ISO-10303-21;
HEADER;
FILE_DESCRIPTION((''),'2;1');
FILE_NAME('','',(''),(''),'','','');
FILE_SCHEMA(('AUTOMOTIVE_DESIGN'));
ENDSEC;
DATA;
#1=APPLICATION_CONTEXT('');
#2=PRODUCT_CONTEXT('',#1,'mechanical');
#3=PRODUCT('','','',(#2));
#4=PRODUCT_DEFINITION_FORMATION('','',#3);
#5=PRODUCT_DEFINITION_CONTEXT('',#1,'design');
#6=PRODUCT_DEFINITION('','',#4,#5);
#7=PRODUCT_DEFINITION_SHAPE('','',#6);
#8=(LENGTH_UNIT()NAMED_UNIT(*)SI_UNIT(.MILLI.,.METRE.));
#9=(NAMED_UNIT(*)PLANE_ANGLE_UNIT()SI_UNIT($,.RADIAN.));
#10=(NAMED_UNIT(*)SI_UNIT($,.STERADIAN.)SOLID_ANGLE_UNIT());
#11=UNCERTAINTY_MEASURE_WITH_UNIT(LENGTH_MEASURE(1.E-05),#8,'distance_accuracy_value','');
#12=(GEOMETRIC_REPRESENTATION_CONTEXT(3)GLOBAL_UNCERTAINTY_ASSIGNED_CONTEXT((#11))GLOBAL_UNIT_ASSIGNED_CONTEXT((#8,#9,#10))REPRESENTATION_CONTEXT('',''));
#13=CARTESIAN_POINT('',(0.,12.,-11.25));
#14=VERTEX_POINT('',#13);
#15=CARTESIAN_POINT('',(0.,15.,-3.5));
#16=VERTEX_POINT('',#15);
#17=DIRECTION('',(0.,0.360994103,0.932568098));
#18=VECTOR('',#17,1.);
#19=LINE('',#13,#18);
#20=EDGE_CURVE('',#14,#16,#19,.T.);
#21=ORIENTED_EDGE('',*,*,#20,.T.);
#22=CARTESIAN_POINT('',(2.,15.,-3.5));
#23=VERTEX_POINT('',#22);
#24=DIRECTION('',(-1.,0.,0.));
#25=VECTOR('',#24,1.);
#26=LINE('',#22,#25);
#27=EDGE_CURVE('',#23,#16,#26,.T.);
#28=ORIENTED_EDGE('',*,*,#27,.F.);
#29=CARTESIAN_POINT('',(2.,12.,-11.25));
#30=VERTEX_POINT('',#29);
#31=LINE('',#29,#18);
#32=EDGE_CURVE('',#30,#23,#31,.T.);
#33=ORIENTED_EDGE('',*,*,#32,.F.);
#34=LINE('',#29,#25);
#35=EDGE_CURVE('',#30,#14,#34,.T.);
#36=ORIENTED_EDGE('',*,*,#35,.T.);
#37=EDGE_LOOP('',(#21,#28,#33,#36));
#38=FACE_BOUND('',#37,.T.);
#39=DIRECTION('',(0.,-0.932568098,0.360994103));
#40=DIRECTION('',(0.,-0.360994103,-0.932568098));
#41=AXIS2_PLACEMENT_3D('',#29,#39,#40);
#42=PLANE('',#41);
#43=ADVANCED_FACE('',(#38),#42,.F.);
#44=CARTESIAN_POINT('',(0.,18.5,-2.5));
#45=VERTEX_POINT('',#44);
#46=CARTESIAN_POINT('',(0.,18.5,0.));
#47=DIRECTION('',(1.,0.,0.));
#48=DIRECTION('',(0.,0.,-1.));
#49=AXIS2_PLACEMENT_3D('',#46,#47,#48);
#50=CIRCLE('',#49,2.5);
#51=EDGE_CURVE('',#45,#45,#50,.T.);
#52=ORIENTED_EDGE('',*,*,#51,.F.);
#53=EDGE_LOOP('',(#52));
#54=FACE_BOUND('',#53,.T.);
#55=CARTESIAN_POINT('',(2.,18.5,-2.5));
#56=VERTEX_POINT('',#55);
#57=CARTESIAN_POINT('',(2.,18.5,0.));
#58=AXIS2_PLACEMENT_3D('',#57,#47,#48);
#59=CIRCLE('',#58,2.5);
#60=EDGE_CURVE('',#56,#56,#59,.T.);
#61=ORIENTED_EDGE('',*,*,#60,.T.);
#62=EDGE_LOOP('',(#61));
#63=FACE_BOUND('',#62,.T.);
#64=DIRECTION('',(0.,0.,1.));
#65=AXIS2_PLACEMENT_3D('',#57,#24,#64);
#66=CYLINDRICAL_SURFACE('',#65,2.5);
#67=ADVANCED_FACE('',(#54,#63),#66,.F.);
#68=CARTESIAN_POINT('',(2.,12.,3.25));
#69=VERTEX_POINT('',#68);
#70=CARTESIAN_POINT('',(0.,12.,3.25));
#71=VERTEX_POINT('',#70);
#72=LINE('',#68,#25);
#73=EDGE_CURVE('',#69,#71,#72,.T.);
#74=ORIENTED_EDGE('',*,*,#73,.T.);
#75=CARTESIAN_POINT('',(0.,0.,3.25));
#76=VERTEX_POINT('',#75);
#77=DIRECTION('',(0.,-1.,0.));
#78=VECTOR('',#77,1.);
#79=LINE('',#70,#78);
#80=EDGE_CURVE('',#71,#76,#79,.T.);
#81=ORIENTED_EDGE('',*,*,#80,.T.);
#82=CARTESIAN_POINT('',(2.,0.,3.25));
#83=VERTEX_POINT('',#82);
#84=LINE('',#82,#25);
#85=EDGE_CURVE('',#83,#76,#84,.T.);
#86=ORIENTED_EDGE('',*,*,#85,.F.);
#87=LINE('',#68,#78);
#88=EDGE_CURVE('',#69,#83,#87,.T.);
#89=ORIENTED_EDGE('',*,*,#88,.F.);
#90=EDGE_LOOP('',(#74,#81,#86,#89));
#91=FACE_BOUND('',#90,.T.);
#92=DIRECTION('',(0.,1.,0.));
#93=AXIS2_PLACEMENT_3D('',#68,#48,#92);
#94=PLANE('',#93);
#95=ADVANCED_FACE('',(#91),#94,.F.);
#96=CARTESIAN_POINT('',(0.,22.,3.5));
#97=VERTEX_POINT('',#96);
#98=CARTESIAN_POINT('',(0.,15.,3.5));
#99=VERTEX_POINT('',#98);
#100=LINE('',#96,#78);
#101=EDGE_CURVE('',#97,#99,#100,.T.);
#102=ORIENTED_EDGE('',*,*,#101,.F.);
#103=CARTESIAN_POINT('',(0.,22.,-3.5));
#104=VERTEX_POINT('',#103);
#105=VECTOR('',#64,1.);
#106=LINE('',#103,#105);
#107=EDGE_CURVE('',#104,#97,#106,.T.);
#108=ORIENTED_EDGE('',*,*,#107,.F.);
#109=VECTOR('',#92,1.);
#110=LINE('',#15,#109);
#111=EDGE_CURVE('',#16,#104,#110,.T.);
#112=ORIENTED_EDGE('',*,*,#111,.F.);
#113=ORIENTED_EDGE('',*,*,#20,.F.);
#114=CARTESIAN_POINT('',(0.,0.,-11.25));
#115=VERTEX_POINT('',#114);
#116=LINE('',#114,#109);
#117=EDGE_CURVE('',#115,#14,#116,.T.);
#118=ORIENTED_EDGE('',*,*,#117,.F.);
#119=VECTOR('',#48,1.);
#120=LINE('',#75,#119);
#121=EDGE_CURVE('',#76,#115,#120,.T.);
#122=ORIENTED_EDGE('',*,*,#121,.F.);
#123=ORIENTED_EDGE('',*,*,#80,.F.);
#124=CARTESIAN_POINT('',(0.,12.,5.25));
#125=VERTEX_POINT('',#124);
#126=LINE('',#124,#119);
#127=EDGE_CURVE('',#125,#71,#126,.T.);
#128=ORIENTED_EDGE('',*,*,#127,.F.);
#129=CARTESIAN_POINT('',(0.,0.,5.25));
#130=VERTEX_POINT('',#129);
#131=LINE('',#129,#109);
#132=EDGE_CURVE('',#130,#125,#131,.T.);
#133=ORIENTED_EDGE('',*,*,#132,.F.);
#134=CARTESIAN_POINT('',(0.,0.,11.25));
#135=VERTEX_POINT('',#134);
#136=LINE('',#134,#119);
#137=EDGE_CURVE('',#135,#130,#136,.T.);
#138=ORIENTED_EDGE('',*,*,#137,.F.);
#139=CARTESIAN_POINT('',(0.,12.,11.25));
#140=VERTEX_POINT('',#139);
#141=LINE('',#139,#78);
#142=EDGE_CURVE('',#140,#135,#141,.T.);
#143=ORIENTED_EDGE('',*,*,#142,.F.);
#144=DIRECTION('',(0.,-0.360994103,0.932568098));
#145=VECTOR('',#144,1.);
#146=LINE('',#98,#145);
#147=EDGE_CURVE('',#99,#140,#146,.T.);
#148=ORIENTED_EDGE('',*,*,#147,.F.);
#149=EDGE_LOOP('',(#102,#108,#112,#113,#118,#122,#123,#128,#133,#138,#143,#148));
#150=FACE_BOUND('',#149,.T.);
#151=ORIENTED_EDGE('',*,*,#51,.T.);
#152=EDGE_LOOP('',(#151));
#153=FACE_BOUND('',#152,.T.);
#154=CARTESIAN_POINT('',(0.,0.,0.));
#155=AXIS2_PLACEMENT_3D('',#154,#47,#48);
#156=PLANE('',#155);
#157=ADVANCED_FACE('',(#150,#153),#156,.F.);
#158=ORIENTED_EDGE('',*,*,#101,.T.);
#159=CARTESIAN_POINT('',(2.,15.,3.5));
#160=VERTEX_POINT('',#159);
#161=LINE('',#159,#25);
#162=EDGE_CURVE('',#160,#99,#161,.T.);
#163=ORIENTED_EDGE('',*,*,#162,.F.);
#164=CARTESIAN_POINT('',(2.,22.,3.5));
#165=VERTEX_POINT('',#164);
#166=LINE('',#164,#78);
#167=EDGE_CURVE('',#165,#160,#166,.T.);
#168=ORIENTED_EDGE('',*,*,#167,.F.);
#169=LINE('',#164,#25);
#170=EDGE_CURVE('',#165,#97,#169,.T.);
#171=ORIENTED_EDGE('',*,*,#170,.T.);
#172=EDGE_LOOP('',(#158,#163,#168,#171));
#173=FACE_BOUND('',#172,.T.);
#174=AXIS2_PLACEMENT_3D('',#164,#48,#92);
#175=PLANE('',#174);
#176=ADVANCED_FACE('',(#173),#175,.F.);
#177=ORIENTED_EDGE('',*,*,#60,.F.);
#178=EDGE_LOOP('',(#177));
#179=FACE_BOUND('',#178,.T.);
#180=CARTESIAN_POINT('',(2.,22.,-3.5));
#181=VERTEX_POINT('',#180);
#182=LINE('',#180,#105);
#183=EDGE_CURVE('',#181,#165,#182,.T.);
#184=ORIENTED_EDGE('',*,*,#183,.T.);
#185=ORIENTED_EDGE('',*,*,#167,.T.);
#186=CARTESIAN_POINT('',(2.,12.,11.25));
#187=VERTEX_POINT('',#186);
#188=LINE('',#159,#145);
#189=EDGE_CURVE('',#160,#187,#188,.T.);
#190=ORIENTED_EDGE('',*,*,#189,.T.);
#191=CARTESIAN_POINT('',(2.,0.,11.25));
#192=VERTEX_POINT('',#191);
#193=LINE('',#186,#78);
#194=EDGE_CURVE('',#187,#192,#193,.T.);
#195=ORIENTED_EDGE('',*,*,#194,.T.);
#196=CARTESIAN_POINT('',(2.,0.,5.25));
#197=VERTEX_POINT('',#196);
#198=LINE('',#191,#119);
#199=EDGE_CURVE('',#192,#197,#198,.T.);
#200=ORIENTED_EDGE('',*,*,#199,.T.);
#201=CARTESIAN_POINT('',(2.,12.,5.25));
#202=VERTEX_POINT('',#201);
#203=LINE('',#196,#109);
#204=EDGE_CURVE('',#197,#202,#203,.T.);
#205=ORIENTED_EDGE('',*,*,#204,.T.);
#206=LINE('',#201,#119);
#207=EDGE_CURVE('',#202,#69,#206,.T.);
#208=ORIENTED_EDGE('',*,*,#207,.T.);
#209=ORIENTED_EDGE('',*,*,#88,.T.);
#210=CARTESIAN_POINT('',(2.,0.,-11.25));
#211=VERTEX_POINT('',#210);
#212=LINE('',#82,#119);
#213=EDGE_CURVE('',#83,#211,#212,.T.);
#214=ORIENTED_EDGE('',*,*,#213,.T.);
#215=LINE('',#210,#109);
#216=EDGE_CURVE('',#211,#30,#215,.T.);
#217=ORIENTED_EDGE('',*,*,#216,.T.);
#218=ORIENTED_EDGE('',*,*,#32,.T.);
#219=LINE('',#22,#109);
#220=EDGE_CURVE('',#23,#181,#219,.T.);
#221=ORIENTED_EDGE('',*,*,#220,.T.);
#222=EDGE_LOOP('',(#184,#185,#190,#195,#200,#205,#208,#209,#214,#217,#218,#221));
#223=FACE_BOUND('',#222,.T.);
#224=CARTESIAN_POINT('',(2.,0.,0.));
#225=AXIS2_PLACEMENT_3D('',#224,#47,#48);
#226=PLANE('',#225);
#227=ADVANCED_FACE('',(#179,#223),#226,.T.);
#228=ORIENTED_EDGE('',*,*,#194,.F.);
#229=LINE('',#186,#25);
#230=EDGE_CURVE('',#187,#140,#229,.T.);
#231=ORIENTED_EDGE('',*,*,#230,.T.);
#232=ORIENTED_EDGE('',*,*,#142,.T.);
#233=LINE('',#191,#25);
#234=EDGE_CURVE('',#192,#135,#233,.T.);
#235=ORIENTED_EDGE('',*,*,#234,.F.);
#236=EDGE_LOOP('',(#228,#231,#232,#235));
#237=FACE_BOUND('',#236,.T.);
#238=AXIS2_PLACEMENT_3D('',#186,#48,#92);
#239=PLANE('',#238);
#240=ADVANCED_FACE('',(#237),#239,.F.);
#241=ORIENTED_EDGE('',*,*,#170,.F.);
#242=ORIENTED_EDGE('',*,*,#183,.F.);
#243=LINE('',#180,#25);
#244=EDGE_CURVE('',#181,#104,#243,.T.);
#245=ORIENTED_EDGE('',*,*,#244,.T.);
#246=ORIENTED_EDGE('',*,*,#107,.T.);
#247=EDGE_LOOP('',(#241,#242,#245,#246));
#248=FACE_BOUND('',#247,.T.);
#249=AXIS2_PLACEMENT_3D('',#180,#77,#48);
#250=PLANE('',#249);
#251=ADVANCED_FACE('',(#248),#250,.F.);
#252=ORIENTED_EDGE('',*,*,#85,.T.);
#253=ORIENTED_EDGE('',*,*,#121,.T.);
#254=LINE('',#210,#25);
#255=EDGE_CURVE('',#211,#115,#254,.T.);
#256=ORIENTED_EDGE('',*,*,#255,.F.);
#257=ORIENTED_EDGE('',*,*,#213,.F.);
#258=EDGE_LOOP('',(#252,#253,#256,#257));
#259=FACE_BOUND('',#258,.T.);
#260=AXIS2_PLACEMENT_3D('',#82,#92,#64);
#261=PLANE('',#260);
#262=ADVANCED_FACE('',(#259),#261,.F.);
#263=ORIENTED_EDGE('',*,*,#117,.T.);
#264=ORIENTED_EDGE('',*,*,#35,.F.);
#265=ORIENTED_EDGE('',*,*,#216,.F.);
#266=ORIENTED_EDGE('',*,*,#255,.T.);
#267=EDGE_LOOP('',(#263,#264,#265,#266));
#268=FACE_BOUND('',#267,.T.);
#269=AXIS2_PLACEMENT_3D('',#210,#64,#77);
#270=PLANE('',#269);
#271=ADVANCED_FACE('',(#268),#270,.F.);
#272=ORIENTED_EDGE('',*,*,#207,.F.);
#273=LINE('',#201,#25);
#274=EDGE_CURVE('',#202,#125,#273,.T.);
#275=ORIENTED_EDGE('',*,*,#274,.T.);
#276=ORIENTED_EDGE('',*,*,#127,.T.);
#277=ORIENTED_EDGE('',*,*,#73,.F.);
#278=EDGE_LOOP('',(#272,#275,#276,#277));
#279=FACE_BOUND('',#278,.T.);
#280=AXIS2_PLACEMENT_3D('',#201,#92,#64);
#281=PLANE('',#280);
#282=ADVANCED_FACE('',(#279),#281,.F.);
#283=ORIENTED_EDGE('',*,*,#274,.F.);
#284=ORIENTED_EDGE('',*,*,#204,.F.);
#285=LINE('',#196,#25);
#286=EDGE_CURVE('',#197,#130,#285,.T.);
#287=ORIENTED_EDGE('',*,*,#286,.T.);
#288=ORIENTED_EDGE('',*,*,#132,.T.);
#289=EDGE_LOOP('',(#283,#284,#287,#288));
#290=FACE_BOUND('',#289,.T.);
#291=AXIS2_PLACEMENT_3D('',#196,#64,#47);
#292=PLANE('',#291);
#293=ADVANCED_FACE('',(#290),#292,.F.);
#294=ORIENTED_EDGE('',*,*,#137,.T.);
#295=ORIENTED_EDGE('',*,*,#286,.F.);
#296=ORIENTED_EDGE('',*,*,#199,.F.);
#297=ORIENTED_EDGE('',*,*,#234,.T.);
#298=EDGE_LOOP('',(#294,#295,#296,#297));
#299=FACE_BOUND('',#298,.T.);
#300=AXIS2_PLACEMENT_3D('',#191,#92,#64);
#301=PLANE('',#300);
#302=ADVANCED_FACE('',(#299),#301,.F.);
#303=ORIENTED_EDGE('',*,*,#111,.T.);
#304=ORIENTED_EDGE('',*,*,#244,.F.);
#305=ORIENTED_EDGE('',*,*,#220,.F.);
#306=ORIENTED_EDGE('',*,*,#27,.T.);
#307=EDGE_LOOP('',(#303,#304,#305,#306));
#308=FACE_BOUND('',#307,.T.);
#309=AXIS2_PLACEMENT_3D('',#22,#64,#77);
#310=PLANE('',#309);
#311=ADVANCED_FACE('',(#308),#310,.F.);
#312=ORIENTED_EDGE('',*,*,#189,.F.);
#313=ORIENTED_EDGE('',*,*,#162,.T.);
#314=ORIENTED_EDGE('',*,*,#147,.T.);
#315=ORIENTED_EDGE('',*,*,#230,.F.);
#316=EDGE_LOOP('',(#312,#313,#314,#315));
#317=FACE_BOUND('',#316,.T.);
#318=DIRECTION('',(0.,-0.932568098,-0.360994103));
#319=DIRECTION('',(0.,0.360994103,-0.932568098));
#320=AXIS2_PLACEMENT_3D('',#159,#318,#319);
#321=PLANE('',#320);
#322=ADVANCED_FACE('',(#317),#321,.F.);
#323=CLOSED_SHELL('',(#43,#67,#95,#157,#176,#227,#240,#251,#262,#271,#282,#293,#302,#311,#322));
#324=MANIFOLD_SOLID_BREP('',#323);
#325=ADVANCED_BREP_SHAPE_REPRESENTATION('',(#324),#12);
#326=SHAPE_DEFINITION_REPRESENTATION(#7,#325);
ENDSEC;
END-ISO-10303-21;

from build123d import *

# Parameters (mm, degrees)
SKETCH1_R           = 2.5
BOSS_EXTRUDE1_DEPTH = 2


with BuildPart() as part:
    # Sketch1 → Boss-Extrude1 (new body)
    with BuildSketch(Plane(origin=(0, 0, 0), x_dir=(0, 0, -1), z_dir=(1, 0, 0))):
        Polygon((-11.25, 0), (-5.25, 0), (-5.25, 12), (-3.25, 12), (-3.25, 0), (11.25, 0), (11.25, 12), (3.5, 15), (3.5, 22), (-3.5, 22), (-3.5, 15), (-11.25, 12), align=None)
        with Locations((0, 18.5)):
            Circle(SKETCH1_R, mode=Mode.SUBTRACT)
    extrude(amount=BOSS_EXTRUDE1_DEPTH)


solid = part.part
